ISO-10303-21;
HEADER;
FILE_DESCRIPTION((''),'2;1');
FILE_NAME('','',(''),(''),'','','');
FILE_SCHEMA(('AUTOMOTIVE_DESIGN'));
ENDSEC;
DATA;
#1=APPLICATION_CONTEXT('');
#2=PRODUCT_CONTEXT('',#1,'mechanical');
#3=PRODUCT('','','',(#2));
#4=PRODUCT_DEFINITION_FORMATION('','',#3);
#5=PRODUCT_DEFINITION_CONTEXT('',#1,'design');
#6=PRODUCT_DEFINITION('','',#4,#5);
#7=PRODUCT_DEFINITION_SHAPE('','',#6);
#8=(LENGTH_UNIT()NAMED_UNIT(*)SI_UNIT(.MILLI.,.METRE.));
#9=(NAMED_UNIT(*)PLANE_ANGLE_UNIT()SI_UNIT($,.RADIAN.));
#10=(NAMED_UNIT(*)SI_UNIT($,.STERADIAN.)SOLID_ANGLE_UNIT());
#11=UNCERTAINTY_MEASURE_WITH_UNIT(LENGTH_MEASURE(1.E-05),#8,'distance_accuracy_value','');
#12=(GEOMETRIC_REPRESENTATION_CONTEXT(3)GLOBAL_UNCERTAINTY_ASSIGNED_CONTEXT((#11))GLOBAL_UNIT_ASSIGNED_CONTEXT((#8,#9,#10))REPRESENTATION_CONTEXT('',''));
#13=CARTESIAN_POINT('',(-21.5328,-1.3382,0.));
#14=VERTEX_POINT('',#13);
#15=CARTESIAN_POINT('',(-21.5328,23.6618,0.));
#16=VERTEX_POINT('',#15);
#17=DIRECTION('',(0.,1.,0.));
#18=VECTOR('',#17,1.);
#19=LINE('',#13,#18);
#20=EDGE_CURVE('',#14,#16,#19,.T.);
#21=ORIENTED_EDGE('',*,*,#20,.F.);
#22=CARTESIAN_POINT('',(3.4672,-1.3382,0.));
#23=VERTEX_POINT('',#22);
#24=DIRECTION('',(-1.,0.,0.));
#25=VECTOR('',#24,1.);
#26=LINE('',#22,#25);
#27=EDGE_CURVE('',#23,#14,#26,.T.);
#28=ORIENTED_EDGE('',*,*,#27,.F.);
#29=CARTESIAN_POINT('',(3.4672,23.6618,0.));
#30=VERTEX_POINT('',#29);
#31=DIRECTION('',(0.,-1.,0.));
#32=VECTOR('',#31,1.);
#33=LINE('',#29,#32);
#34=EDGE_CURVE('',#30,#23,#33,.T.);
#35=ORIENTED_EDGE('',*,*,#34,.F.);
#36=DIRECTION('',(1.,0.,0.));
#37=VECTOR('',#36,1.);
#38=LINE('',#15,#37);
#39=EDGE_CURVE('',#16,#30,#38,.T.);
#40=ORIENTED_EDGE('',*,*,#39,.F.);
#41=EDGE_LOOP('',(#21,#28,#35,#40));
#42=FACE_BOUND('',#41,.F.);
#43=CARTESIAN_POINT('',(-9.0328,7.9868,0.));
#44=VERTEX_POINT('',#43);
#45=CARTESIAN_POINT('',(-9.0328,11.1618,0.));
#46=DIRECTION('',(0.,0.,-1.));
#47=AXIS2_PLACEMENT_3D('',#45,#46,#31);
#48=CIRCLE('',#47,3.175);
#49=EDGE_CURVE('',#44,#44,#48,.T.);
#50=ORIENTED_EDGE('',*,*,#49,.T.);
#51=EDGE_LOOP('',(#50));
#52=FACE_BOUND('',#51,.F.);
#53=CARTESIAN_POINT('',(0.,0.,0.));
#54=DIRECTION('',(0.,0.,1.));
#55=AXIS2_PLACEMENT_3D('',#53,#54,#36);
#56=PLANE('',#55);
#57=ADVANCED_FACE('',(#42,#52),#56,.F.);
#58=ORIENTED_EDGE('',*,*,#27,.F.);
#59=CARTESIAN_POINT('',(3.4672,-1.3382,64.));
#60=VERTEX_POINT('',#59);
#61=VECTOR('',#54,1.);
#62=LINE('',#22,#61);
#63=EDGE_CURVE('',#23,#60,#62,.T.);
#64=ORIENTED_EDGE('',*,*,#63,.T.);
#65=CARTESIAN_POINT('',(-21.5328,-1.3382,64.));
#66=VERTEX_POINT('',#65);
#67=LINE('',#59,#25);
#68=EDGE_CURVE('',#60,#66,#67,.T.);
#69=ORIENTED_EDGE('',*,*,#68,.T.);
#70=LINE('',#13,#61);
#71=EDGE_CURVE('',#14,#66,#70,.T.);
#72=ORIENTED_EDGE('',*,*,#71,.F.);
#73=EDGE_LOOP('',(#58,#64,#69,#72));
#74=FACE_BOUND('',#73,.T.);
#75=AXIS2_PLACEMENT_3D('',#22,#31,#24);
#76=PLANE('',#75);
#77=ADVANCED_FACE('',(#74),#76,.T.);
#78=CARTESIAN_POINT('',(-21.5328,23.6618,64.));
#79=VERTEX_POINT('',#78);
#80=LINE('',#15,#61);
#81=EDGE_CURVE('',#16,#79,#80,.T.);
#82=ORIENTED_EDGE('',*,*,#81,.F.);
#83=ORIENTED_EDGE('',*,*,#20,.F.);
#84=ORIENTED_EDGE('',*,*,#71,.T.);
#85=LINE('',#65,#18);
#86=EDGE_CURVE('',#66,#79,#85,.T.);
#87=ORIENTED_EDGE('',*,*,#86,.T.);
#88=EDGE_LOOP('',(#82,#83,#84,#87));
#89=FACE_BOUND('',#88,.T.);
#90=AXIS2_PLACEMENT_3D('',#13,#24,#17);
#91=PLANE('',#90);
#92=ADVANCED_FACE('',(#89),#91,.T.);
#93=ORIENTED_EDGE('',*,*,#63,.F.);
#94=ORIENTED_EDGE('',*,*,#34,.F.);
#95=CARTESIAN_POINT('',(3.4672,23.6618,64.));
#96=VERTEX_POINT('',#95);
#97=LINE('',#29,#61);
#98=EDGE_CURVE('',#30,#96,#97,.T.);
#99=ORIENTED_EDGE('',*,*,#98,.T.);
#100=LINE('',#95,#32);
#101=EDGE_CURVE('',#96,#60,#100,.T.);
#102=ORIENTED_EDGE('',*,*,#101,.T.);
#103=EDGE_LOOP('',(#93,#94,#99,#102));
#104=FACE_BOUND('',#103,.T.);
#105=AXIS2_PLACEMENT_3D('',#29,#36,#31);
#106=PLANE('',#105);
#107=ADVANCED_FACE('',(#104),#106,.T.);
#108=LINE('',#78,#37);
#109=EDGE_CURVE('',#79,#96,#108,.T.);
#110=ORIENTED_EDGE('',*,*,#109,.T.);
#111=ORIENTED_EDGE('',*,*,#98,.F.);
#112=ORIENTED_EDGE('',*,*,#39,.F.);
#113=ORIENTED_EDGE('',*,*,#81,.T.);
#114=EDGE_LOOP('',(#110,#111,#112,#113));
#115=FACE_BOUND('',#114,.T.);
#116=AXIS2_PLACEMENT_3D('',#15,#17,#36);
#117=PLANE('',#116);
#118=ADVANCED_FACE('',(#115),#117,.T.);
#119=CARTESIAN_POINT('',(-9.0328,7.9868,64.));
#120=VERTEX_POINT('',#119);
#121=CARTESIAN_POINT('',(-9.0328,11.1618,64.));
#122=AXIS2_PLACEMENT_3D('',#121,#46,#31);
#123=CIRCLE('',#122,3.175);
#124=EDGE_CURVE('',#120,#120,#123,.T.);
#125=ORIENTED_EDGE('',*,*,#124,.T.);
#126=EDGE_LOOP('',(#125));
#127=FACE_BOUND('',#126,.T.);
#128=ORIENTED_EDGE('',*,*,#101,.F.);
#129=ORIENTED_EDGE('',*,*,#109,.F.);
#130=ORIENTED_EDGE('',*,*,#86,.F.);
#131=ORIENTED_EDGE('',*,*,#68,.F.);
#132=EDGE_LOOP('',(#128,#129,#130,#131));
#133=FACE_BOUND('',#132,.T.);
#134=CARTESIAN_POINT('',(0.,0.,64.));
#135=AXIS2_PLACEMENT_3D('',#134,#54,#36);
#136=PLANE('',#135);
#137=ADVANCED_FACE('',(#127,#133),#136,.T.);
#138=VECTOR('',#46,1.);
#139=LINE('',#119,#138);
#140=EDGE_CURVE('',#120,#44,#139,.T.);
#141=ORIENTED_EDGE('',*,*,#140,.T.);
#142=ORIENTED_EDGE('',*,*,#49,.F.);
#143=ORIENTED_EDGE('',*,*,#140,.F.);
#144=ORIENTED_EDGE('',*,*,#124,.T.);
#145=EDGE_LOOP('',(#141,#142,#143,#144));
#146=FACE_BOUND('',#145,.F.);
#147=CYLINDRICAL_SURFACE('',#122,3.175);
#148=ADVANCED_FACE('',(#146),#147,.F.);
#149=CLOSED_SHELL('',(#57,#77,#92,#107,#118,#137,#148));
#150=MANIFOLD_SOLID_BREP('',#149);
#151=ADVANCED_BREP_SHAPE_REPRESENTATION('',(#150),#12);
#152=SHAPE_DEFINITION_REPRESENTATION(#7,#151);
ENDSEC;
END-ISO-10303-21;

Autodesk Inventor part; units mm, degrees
ref_plane "YZ Plane" through (0, 0, 0) normal (1, 0, 0) x (0, 1, 0)
ref_plane "XZ Plane" through (0, 0, 0) normal (0, 1, 0) x (-1, 0, 0)
ref_plane "XY Plane" through (0, 0, 0) normal (0, 0, 1) x (1, 0, 0)
sketch "Sketch1" plane through (0, 0, 0) normal (0, 0, 1) x (1, 0, 0)
  line L0 (-21.5328, 23.6618) -> (3.4672, 23.6618)
  line L1 (3.4672, 23.6618) -> (3.4672, -1.3382)
  line L2 (3.4672, -1.3382) -> (-21.5328, -1.3382)
  line L3 (-21.5328, -1.3382) -> (-21.5328, 23.6618)
  dimension "d0" = 25
  dimension "d1" = 25
extrude "Extrusion1" add sketch "Sketch1" along normal blind 64
sketch "Sketch2" plane through (0, 0, 64) normal (0, 0, 1) x (1, 0, 0)
  line L0 (3.4672, 23.6618) -> (3.4672, -1.3382) projected
  line L1 (-21.5328, 23.6618) -> (3.4672, 23.6618) projected
  line L2 (-21.5328, -1.3382) -> (-21.5328, 23.6618) projected
  circle A0 centre (-9.0328, 11.1618) radius 12.5 construction
hole "Hole1" at (-9.0328, 11.1618, 64) at (-9.0328, 11.1618, 64) direction (0, 0, -1) diameter 6.35 end through all
properties part number "parameters"
